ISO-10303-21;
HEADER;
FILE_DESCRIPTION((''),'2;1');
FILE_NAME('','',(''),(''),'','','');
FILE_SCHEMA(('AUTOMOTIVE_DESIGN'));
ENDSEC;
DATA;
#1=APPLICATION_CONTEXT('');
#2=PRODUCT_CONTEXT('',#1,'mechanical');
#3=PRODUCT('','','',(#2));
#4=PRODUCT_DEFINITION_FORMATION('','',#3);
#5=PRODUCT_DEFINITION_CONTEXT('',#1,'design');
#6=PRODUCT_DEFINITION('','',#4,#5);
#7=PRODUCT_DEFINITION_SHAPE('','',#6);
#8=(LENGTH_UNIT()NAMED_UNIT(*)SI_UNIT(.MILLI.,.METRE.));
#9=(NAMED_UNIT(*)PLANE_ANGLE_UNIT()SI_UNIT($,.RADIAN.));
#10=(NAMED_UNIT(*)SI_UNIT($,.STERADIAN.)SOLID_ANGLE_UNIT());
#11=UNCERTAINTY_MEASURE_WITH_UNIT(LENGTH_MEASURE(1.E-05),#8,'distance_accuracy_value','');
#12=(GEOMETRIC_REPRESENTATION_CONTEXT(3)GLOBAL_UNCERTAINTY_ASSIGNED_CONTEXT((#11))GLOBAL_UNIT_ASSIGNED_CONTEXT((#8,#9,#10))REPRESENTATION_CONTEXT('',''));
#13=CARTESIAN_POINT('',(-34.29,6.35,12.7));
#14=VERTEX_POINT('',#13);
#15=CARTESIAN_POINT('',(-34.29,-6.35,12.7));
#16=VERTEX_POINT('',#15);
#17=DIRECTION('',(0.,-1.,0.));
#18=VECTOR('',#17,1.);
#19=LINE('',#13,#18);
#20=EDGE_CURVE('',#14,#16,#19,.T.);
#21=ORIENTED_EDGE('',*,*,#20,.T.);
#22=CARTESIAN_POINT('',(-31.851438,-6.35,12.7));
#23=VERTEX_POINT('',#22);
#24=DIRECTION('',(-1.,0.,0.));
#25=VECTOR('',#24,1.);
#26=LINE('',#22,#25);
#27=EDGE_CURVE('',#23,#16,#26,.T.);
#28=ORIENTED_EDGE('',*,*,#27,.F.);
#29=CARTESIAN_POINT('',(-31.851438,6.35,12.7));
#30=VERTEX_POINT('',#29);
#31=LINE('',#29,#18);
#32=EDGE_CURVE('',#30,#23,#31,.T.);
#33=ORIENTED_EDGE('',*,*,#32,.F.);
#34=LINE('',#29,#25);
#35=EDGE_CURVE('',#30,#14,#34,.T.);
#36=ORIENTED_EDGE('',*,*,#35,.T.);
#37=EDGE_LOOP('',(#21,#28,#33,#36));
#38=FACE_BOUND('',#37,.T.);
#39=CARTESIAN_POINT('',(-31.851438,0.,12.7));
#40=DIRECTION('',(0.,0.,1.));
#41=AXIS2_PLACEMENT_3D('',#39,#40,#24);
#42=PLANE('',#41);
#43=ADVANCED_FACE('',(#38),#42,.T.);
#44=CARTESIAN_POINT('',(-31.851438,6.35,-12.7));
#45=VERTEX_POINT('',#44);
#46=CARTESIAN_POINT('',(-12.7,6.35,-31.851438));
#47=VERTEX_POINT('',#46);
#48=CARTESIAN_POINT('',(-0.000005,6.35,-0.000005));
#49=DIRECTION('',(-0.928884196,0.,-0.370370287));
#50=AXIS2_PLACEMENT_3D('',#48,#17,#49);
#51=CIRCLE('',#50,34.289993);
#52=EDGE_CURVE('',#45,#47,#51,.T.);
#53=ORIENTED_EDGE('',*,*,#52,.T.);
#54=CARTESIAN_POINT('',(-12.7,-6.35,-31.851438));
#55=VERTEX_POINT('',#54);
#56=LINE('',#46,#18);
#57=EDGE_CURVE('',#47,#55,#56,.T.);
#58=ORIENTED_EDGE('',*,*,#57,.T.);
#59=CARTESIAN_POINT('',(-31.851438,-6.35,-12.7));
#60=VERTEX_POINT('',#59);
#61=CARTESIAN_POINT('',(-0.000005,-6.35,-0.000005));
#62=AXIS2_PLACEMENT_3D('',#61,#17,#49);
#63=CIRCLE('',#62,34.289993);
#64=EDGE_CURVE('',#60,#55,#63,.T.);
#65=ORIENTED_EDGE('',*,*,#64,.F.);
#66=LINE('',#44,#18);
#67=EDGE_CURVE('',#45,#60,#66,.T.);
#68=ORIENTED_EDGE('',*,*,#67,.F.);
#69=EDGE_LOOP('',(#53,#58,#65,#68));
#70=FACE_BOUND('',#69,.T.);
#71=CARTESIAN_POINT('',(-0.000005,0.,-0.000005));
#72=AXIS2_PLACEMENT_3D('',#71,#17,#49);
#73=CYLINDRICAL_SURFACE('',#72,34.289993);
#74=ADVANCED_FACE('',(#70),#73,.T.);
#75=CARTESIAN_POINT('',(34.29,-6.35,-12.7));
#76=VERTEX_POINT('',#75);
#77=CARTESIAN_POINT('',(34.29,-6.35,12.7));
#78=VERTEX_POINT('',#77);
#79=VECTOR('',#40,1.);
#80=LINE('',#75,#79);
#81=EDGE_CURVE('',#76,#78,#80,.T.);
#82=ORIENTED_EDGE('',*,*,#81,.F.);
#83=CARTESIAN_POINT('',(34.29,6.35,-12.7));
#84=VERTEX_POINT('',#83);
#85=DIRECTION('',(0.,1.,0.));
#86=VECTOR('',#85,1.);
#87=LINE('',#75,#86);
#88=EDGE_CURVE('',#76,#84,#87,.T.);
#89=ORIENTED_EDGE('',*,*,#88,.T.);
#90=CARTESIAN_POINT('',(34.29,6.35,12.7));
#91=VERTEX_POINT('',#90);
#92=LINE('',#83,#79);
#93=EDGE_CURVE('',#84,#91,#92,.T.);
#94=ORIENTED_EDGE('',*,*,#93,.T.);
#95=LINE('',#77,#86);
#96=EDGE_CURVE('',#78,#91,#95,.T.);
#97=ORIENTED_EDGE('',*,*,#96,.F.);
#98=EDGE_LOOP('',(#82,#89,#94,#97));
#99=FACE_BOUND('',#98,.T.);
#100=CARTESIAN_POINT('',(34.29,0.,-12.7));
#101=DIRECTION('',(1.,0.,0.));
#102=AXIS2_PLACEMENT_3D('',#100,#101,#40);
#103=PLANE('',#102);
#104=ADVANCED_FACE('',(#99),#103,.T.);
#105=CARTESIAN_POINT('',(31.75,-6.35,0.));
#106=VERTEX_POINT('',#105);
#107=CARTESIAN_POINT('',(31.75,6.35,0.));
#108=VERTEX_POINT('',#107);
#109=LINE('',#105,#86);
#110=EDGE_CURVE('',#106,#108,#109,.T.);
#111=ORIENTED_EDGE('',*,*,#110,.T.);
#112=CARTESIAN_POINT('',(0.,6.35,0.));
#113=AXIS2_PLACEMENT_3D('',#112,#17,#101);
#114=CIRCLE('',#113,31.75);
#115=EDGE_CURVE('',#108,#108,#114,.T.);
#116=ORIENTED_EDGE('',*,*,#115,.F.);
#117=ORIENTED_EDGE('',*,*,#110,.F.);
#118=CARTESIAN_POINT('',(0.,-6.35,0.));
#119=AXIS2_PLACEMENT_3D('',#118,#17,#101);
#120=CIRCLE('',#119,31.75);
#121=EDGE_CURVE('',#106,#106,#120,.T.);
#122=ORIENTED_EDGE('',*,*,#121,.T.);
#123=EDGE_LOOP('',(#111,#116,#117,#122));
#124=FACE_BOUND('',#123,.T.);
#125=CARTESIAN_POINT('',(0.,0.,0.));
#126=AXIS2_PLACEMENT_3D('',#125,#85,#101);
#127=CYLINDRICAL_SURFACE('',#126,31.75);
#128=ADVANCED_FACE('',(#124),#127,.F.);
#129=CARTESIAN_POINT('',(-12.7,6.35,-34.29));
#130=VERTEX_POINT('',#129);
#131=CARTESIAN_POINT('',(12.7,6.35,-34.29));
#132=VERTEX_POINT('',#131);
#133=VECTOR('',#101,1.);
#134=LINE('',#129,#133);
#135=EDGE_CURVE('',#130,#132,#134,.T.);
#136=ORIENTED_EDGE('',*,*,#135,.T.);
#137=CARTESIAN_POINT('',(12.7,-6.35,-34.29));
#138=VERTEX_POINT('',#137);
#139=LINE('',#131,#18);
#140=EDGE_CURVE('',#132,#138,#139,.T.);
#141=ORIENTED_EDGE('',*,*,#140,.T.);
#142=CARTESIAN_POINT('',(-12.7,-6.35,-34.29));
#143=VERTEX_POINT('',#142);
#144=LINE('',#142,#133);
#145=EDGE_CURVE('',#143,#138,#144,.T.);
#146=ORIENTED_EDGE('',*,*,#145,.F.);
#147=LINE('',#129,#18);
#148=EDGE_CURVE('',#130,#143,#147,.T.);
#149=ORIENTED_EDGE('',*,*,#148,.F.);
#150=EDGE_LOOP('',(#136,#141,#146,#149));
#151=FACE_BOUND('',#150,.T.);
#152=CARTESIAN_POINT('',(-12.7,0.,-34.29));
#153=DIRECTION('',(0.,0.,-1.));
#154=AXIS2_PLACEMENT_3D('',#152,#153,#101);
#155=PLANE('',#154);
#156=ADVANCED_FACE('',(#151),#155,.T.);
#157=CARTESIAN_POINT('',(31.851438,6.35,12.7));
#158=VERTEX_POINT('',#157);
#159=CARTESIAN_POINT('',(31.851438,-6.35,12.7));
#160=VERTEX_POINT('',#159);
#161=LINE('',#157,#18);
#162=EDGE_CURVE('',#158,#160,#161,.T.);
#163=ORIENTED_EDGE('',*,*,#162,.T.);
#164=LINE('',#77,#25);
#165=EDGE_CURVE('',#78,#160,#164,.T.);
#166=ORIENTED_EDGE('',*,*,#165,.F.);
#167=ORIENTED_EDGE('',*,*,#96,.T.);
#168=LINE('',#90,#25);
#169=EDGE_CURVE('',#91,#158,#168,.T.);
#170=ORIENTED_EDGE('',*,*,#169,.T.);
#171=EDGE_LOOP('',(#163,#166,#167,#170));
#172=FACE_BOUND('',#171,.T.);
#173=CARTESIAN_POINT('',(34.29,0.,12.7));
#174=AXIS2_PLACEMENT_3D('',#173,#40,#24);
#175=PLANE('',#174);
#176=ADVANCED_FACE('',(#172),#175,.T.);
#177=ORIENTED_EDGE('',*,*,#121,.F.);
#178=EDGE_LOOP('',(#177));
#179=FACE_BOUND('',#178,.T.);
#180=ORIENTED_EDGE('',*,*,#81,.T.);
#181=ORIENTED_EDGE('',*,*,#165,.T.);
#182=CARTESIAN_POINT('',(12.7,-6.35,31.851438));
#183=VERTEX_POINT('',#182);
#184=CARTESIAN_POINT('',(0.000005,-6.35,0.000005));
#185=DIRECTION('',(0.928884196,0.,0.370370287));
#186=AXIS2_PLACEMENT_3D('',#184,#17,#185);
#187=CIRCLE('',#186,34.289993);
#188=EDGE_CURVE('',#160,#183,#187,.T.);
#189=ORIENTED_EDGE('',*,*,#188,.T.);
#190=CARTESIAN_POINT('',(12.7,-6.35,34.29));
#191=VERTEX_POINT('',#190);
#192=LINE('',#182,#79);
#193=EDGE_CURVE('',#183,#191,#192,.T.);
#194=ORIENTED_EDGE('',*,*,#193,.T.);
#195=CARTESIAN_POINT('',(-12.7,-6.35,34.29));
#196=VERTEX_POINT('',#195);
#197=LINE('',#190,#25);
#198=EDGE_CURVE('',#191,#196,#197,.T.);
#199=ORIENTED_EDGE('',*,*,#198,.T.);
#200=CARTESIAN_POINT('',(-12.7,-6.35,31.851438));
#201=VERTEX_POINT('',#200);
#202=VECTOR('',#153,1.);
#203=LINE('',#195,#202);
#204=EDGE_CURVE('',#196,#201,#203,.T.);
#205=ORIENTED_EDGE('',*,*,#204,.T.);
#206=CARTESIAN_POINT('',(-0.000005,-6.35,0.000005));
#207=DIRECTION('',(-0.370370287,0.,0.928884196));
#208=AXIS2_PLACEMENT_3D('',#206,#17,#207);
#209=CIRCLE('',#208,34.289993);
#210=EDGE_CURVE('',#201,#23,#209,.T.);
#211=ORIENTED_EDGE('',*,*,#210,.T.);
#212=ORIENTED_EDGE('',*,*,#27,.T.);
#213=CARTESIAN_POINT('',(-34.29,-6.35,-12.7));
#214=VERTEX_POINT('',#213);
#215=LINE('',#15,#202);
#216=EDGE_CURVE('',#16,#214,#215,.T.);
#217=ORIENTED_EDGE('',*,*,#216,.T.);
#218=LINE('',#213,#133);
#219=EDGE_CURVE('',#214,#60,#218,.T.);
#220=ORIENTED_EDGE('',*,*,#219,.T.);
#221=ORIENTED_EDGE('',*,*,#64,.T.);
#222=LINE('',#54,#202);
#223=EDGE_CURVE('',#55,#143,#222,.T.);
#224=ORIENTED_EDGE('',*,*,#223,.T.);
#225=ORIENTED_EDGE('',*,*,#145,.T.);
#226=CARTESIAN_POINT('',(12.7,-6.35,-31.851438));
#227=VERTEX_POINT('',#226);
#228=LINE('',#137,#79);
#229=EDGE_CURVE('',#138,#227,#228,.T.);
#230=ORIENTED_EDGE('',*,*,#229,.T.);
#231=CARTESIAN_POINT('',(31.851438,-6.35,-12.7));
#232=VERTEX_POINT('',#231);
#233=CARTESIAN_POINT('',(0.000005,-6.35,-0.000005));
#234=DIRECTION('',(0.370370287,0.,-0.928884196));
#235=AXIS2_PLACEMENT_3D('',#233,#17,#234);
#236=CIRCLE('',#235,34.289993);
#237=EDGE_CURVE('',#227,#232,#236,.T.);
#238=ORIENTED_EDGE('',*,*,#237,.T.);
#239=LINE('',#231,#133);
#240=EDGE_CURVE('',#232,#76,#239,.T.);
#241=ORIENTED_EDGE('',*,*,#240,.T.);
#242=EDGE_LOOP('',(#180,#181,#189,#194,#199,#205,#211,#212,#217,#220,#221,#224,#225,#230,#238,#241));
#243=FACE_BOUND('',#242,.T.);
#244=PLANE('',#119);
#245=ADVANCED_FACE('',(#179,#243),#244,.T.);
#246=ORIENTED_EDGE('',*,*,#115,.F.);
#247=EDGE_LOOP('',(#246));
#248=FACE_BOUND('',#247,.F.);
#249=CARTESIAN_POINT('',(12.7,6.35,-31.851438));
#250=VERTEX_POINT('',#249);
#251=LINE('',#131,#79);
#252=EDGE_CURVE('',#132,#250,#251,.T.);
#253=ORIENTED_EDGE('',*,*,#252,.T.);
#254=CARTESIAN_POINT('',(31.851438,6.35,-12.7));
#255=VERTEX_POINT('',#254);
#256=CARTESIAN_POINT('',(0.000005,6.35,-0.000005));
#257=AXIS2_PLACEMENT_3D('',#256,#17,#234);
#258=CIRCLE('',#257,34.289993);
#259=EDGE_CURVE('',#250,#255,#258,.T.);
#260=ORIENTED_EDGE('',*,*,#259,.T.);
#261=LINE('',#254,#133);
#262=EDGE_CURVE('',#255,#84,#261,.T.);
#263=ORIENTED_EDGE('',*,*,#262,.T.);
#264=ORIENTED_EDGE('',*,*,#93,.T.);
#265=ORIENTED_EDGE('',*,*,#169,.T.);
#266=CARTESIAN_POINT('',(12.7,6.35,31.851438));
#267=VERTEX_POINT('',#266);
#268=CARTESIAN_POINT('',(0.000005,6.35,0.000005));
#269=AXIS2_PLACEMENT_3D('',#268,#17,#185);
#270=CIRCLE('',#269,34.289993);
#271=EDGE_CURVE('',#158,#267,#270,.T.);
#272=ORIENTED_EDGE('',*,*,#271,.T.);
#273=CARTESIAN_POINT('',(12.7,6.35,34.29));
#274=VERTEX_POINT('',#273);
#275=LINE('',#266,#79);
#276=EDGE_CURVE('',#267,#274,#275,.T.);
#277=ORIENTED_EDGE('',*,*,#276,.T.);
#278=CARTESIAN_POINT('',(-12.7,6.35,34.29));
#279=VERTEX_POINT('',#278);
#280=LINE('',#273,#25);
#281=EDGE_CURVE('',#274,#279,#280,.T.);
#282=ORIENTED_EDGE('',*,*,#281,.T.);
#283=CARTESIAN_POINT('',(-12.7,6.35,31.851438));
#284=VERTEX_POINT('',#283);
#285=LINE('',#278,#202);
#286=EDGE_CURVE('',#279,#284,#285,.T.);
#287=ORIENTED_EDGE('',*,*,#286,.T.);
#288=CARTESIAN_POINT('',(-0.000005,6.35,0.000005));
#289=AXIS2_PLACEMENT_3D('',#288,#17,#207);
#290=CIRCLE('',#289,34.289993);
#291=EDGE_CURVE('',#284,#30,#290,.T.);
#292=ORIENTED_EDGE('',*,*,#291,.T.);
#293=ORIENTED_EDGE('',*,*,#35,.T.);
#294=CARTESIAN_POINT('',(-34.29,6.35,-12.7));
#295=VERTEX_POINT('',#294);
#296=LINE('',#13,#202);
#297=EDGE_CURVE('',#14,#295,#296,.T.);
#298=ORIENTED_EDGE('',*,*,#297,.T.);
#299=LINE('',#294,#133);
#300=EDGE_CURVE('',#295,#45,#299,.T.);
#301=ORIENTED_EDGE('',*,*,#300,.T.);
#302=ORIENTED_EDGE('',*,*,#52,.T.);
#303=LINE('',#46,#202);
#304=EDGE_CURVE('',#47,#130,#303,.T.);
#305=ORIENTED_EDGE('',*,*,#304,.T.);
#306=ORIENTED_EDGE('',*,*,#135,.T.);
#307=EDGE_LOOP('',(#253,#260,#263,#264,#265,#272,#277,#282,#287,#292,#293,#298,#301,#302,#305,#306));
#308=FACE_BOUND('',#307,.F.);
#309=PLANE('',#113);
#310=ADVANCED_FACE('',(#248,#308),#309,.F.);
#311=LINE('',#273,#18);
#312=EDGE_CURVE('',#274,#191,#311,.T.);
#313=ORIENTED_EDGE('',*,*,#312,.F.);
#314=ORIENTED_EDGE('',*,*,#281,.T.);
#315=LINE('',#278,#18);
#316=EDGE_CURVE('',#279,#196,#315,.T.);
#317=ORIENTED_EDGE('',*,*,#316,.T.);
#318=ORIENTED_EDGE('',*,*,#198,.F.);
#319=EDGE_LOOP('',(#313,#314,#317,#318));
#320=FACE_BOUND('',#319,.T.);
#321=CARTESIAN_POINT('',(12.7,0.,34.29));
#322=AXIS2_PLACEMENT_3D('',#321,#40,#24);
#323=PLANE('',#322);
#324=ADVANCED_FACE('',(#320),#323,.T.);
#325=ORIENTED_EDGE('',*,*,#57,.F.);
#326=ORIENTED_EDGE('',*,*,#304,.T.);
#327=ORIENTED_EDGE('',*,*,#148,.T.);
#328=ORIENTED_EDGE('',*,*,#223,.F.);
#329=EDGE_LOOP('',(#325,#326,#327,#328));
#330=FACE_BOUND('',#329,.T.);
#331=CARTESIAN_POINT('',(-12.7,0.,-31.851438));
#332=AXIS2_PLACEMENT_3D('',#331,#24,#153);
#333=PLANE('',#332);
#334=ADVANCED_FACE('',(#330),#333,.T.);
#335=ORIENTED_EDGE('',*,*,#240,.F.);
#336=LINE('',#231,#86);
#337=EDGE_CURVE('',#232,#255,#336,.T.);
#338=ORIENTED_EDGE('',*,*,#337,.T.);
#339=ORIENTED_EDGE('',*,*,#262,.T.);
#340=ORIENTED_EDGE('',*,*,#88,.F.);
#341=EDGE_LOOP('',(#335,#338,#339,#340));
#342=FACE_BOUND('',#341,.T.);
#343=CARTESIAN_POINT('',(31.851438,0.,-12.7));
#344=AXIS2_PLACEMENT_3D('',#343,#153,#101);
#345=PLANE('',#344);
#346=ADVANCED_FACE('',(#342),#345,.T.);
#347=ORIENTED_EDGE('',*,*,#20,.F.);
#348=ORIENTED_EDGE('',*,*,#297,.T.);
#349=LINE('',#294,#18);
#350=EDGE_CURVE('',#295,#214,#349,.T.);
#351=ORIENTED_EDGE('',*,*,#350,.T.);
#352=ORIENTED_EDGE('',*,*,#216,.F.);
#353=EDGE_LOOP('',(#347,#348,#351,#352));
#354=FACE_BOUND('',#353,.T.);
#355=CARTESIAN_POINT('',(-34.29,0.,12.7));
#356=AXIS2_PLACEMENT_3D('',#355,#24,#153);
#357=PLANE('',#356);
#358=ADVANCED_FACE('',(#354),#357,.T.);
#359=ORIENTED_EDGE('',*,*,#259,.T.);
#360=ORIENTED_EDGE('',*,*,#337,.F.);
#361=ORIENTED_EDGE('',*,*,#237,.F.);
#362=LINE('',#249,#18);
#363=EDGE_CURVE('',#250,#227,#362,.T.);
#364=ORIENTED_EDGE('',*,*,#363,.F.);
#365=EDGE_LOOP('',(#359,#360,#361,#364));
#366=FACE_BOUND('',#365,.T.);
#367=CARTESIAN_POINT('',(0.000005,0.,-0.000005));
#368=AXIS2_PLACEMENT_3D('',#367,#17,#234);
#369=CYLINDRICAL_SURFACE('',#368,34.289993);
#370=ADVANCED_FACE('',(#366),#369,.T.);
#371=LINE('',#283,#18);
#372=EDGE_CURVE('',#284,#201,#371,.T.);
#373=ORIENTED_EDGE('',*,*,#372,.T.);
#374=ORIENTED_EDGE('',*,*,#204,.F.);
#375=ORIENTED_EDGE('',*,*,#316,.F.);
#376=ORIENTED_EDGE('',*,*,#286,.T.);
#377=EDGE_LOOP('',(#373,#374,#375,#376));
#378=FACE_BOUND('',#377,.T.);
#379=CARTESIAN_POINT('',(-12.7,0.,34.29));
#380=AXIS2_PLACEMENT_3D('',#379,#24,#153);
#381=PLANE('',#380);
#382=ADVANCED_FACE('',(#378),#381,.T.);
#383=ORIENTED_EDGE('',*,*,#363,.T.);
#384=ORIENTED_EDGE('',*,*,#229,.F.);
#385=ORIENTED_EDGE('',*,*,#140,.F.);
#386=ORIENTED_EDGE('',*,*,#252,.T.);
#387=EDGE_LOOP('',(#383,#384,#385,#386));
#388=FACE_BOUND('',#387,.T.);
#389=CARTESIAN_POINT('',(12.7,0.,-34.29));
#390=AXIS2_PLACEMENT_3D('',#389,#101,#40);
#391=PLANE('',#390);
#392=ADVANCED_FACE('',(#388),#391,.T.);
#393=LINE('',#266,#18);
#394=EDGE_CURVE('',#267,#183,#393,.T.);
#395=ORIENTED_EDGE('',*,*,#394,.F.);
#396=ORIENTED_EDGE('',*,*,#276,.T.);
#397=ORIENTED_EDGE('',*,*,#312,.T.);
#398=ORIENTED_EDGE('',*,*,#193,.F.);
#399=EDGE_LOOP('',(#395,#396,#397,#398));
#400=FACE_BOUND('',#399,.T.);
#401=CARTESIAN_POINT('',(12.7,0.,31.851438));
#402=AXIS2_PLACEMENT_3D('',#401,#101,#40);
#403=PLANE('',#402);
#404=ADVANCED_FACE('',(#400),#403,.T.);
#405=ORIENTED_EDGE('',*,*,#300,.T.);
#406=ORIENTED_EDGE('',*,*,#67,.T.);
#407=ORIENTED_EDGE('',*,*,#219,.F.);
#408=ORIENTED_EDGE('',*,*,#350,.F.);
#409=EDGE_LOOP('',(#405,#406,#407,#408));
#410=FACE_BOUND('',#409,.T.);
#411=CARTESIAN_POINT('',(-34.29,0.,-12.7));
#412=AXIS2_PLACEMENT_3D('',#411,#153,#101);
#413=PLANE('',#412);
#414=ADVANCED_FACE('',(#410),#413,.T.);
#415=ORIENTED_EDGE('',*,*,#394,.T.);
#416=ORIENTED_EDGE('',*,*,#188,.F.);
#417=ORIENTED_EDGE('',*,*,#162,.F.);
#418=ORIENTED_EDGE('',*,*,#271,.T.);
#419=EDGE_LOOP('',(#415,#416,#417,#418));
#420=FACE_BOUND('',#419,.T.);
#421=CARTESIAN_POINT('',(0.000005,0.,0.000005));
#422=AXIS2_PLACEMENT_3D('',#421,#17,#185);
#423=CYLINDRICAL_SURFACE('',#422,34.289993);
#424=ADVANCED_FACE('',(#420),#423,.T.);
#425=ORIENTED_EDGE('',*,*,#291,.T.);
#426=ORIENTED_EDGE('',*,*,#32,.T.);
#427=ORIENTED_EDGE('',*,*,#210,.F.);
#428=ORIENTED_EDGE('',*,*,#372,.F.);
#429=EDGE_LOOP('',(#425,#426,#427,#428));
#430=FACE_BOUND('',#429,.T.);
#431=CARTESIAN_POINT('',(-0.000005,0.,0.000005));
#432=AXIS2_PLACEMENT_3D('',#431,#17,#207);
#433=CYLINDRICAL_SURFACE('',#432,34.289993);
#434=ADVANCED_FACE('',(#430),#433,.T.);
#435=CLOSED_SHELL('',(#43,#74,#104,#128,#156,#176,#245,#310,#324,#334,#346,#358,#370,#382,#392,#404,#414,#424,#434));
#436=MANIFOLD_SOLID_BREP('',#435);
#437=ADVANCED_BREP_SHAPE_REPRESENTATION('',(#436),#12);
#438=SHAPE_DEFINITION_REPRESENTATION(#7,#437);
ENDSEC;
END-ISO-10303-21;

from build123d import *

# Parameters (mm, degrees)
F0_R     = 31.75
F1_DEPTH = 6.35


with BuildPart() as f1:
    # F0 (on Front) → F1 (new body, symmetric)
    with BuildSketch(Plane.XZ):
        with BuildLine():
            ThreePointArc((31.851438, -12.7), (33.674842, -6.465999), (34.29, 0))
            ThreePointArc((34.29, 0), (33.674842, 6.465999), (31.851438, 12.7))
            ThreePointArc((31.851438, 12.7), (24.246692, 24.246692), (12.7, 31.851438))
            ThreePointArc((12.7, 31.851438), (6.465999, 33.674842), (0, 34.29))
            ThreePointArc((0, 34.29), (-6.465999, 33.674842), (-12.7, 31.851438))
            ThreePointArc((-12.7, 31.851438), (-24.246692, 24.246692), (-31.851438, 12.7))
            ThreePointArc((-31.851438, 12.7), (-33.674842, 6.465999), (-34.29, 0))
            ThreePointArc((-34.29, 0), (-33.674842, -6.465999), (-31.851438, -12.7))
            ThreePointArc((-31.851438, -12.7), (-24.246692, -24.246692), (-12.7, -31.851438))
            ThreePointArc((-12.7, -31.851438), (-6.465999, -33.674842), (0, -34.29))
            ThreePointArc((0, -34.29), (6.465999, -33.674842), (12.7, -31.851438))
            ThreePointArc((12.7, -31.851438), (24.246692, -24.246692), (31.851438, -12.7))
        make_face()
        Circle(F0_R, mode=Mode.SUBTRACT)
        with BuildLine():
            ThreePointArc((-34.29, 0), (-33.674842, 6.465999), (-31.851438, 12.7))
            Line((-31.851438, 12.7), (-34.29, 12.7))
            Line((-34.29, 12.7), (-34.29, 0))
        make_face()
        with BuildLine():
            Line((-34.29, -12.7), (-31.851438, -12.7))
            ThreePointArc((-31.851438, -12.7), (-33.674842, -6.465999), (-34.29, 0))
            Line((-34.29, 0), (-34.29, -12.7))
        make_face()
        with BuildLine():
            ThreePointArc((-12.7, 31.851438), (-6.465999, 33.674842), (0, 34.29))
            Line((0, 34.29), (-12.7, 34.29))
            Line((-12.7, 34.29), (-12.7, 31.851438))
        make_face()
        with BuildLine():
            ThreePointArc((0, 34.29), (6.465999, 33.674842), (12.7, 31.851438))
            Line((12.7, 31.851438), (12.7, 34.29))
            Line((12.7, 34.29), (0, 34.29))
        make_face()
        with BuildLine():
            ThreePointArc((31.851438, 12.7), (33.674842, 6.465999), (34.29, 0))
            Line((34.29, 0), (34.29, 12.7))
            Line((34.29, 12.7), (31.851438, 12.7))
        make_face()
        with BuildLine():
            Line((34.29, -12.7), (34.29, 0))
            ThreePointArc((34.29, 0), (33.674842, -6.465999), (31.851438, -12.7))
            Line((31.851438, -12.7), (34.29, -12.7))
        make_face()
        with BuildLine():
            Line((12.7, -34.29), (12.7, -31.851438))
            ThreePointArc((12.7, -31.851438), (6.465999, -33.674842), (0, -34.29))
            Line((0, -34.29), (12.7, -34.29))
        make_face()
        with BuildLine():
            Line((-12.7, -34.29), (0, -34.29))
            ThreePointArc((0, -34.29), (-6.465999, -33.674842), (-12.7, -31.851438))
            Line((-12.7, -31.851438), (-12.7, -34.29))
        make_face()
    extrude(amount=F1_DEPTH, both=True)


solid = f1.part
